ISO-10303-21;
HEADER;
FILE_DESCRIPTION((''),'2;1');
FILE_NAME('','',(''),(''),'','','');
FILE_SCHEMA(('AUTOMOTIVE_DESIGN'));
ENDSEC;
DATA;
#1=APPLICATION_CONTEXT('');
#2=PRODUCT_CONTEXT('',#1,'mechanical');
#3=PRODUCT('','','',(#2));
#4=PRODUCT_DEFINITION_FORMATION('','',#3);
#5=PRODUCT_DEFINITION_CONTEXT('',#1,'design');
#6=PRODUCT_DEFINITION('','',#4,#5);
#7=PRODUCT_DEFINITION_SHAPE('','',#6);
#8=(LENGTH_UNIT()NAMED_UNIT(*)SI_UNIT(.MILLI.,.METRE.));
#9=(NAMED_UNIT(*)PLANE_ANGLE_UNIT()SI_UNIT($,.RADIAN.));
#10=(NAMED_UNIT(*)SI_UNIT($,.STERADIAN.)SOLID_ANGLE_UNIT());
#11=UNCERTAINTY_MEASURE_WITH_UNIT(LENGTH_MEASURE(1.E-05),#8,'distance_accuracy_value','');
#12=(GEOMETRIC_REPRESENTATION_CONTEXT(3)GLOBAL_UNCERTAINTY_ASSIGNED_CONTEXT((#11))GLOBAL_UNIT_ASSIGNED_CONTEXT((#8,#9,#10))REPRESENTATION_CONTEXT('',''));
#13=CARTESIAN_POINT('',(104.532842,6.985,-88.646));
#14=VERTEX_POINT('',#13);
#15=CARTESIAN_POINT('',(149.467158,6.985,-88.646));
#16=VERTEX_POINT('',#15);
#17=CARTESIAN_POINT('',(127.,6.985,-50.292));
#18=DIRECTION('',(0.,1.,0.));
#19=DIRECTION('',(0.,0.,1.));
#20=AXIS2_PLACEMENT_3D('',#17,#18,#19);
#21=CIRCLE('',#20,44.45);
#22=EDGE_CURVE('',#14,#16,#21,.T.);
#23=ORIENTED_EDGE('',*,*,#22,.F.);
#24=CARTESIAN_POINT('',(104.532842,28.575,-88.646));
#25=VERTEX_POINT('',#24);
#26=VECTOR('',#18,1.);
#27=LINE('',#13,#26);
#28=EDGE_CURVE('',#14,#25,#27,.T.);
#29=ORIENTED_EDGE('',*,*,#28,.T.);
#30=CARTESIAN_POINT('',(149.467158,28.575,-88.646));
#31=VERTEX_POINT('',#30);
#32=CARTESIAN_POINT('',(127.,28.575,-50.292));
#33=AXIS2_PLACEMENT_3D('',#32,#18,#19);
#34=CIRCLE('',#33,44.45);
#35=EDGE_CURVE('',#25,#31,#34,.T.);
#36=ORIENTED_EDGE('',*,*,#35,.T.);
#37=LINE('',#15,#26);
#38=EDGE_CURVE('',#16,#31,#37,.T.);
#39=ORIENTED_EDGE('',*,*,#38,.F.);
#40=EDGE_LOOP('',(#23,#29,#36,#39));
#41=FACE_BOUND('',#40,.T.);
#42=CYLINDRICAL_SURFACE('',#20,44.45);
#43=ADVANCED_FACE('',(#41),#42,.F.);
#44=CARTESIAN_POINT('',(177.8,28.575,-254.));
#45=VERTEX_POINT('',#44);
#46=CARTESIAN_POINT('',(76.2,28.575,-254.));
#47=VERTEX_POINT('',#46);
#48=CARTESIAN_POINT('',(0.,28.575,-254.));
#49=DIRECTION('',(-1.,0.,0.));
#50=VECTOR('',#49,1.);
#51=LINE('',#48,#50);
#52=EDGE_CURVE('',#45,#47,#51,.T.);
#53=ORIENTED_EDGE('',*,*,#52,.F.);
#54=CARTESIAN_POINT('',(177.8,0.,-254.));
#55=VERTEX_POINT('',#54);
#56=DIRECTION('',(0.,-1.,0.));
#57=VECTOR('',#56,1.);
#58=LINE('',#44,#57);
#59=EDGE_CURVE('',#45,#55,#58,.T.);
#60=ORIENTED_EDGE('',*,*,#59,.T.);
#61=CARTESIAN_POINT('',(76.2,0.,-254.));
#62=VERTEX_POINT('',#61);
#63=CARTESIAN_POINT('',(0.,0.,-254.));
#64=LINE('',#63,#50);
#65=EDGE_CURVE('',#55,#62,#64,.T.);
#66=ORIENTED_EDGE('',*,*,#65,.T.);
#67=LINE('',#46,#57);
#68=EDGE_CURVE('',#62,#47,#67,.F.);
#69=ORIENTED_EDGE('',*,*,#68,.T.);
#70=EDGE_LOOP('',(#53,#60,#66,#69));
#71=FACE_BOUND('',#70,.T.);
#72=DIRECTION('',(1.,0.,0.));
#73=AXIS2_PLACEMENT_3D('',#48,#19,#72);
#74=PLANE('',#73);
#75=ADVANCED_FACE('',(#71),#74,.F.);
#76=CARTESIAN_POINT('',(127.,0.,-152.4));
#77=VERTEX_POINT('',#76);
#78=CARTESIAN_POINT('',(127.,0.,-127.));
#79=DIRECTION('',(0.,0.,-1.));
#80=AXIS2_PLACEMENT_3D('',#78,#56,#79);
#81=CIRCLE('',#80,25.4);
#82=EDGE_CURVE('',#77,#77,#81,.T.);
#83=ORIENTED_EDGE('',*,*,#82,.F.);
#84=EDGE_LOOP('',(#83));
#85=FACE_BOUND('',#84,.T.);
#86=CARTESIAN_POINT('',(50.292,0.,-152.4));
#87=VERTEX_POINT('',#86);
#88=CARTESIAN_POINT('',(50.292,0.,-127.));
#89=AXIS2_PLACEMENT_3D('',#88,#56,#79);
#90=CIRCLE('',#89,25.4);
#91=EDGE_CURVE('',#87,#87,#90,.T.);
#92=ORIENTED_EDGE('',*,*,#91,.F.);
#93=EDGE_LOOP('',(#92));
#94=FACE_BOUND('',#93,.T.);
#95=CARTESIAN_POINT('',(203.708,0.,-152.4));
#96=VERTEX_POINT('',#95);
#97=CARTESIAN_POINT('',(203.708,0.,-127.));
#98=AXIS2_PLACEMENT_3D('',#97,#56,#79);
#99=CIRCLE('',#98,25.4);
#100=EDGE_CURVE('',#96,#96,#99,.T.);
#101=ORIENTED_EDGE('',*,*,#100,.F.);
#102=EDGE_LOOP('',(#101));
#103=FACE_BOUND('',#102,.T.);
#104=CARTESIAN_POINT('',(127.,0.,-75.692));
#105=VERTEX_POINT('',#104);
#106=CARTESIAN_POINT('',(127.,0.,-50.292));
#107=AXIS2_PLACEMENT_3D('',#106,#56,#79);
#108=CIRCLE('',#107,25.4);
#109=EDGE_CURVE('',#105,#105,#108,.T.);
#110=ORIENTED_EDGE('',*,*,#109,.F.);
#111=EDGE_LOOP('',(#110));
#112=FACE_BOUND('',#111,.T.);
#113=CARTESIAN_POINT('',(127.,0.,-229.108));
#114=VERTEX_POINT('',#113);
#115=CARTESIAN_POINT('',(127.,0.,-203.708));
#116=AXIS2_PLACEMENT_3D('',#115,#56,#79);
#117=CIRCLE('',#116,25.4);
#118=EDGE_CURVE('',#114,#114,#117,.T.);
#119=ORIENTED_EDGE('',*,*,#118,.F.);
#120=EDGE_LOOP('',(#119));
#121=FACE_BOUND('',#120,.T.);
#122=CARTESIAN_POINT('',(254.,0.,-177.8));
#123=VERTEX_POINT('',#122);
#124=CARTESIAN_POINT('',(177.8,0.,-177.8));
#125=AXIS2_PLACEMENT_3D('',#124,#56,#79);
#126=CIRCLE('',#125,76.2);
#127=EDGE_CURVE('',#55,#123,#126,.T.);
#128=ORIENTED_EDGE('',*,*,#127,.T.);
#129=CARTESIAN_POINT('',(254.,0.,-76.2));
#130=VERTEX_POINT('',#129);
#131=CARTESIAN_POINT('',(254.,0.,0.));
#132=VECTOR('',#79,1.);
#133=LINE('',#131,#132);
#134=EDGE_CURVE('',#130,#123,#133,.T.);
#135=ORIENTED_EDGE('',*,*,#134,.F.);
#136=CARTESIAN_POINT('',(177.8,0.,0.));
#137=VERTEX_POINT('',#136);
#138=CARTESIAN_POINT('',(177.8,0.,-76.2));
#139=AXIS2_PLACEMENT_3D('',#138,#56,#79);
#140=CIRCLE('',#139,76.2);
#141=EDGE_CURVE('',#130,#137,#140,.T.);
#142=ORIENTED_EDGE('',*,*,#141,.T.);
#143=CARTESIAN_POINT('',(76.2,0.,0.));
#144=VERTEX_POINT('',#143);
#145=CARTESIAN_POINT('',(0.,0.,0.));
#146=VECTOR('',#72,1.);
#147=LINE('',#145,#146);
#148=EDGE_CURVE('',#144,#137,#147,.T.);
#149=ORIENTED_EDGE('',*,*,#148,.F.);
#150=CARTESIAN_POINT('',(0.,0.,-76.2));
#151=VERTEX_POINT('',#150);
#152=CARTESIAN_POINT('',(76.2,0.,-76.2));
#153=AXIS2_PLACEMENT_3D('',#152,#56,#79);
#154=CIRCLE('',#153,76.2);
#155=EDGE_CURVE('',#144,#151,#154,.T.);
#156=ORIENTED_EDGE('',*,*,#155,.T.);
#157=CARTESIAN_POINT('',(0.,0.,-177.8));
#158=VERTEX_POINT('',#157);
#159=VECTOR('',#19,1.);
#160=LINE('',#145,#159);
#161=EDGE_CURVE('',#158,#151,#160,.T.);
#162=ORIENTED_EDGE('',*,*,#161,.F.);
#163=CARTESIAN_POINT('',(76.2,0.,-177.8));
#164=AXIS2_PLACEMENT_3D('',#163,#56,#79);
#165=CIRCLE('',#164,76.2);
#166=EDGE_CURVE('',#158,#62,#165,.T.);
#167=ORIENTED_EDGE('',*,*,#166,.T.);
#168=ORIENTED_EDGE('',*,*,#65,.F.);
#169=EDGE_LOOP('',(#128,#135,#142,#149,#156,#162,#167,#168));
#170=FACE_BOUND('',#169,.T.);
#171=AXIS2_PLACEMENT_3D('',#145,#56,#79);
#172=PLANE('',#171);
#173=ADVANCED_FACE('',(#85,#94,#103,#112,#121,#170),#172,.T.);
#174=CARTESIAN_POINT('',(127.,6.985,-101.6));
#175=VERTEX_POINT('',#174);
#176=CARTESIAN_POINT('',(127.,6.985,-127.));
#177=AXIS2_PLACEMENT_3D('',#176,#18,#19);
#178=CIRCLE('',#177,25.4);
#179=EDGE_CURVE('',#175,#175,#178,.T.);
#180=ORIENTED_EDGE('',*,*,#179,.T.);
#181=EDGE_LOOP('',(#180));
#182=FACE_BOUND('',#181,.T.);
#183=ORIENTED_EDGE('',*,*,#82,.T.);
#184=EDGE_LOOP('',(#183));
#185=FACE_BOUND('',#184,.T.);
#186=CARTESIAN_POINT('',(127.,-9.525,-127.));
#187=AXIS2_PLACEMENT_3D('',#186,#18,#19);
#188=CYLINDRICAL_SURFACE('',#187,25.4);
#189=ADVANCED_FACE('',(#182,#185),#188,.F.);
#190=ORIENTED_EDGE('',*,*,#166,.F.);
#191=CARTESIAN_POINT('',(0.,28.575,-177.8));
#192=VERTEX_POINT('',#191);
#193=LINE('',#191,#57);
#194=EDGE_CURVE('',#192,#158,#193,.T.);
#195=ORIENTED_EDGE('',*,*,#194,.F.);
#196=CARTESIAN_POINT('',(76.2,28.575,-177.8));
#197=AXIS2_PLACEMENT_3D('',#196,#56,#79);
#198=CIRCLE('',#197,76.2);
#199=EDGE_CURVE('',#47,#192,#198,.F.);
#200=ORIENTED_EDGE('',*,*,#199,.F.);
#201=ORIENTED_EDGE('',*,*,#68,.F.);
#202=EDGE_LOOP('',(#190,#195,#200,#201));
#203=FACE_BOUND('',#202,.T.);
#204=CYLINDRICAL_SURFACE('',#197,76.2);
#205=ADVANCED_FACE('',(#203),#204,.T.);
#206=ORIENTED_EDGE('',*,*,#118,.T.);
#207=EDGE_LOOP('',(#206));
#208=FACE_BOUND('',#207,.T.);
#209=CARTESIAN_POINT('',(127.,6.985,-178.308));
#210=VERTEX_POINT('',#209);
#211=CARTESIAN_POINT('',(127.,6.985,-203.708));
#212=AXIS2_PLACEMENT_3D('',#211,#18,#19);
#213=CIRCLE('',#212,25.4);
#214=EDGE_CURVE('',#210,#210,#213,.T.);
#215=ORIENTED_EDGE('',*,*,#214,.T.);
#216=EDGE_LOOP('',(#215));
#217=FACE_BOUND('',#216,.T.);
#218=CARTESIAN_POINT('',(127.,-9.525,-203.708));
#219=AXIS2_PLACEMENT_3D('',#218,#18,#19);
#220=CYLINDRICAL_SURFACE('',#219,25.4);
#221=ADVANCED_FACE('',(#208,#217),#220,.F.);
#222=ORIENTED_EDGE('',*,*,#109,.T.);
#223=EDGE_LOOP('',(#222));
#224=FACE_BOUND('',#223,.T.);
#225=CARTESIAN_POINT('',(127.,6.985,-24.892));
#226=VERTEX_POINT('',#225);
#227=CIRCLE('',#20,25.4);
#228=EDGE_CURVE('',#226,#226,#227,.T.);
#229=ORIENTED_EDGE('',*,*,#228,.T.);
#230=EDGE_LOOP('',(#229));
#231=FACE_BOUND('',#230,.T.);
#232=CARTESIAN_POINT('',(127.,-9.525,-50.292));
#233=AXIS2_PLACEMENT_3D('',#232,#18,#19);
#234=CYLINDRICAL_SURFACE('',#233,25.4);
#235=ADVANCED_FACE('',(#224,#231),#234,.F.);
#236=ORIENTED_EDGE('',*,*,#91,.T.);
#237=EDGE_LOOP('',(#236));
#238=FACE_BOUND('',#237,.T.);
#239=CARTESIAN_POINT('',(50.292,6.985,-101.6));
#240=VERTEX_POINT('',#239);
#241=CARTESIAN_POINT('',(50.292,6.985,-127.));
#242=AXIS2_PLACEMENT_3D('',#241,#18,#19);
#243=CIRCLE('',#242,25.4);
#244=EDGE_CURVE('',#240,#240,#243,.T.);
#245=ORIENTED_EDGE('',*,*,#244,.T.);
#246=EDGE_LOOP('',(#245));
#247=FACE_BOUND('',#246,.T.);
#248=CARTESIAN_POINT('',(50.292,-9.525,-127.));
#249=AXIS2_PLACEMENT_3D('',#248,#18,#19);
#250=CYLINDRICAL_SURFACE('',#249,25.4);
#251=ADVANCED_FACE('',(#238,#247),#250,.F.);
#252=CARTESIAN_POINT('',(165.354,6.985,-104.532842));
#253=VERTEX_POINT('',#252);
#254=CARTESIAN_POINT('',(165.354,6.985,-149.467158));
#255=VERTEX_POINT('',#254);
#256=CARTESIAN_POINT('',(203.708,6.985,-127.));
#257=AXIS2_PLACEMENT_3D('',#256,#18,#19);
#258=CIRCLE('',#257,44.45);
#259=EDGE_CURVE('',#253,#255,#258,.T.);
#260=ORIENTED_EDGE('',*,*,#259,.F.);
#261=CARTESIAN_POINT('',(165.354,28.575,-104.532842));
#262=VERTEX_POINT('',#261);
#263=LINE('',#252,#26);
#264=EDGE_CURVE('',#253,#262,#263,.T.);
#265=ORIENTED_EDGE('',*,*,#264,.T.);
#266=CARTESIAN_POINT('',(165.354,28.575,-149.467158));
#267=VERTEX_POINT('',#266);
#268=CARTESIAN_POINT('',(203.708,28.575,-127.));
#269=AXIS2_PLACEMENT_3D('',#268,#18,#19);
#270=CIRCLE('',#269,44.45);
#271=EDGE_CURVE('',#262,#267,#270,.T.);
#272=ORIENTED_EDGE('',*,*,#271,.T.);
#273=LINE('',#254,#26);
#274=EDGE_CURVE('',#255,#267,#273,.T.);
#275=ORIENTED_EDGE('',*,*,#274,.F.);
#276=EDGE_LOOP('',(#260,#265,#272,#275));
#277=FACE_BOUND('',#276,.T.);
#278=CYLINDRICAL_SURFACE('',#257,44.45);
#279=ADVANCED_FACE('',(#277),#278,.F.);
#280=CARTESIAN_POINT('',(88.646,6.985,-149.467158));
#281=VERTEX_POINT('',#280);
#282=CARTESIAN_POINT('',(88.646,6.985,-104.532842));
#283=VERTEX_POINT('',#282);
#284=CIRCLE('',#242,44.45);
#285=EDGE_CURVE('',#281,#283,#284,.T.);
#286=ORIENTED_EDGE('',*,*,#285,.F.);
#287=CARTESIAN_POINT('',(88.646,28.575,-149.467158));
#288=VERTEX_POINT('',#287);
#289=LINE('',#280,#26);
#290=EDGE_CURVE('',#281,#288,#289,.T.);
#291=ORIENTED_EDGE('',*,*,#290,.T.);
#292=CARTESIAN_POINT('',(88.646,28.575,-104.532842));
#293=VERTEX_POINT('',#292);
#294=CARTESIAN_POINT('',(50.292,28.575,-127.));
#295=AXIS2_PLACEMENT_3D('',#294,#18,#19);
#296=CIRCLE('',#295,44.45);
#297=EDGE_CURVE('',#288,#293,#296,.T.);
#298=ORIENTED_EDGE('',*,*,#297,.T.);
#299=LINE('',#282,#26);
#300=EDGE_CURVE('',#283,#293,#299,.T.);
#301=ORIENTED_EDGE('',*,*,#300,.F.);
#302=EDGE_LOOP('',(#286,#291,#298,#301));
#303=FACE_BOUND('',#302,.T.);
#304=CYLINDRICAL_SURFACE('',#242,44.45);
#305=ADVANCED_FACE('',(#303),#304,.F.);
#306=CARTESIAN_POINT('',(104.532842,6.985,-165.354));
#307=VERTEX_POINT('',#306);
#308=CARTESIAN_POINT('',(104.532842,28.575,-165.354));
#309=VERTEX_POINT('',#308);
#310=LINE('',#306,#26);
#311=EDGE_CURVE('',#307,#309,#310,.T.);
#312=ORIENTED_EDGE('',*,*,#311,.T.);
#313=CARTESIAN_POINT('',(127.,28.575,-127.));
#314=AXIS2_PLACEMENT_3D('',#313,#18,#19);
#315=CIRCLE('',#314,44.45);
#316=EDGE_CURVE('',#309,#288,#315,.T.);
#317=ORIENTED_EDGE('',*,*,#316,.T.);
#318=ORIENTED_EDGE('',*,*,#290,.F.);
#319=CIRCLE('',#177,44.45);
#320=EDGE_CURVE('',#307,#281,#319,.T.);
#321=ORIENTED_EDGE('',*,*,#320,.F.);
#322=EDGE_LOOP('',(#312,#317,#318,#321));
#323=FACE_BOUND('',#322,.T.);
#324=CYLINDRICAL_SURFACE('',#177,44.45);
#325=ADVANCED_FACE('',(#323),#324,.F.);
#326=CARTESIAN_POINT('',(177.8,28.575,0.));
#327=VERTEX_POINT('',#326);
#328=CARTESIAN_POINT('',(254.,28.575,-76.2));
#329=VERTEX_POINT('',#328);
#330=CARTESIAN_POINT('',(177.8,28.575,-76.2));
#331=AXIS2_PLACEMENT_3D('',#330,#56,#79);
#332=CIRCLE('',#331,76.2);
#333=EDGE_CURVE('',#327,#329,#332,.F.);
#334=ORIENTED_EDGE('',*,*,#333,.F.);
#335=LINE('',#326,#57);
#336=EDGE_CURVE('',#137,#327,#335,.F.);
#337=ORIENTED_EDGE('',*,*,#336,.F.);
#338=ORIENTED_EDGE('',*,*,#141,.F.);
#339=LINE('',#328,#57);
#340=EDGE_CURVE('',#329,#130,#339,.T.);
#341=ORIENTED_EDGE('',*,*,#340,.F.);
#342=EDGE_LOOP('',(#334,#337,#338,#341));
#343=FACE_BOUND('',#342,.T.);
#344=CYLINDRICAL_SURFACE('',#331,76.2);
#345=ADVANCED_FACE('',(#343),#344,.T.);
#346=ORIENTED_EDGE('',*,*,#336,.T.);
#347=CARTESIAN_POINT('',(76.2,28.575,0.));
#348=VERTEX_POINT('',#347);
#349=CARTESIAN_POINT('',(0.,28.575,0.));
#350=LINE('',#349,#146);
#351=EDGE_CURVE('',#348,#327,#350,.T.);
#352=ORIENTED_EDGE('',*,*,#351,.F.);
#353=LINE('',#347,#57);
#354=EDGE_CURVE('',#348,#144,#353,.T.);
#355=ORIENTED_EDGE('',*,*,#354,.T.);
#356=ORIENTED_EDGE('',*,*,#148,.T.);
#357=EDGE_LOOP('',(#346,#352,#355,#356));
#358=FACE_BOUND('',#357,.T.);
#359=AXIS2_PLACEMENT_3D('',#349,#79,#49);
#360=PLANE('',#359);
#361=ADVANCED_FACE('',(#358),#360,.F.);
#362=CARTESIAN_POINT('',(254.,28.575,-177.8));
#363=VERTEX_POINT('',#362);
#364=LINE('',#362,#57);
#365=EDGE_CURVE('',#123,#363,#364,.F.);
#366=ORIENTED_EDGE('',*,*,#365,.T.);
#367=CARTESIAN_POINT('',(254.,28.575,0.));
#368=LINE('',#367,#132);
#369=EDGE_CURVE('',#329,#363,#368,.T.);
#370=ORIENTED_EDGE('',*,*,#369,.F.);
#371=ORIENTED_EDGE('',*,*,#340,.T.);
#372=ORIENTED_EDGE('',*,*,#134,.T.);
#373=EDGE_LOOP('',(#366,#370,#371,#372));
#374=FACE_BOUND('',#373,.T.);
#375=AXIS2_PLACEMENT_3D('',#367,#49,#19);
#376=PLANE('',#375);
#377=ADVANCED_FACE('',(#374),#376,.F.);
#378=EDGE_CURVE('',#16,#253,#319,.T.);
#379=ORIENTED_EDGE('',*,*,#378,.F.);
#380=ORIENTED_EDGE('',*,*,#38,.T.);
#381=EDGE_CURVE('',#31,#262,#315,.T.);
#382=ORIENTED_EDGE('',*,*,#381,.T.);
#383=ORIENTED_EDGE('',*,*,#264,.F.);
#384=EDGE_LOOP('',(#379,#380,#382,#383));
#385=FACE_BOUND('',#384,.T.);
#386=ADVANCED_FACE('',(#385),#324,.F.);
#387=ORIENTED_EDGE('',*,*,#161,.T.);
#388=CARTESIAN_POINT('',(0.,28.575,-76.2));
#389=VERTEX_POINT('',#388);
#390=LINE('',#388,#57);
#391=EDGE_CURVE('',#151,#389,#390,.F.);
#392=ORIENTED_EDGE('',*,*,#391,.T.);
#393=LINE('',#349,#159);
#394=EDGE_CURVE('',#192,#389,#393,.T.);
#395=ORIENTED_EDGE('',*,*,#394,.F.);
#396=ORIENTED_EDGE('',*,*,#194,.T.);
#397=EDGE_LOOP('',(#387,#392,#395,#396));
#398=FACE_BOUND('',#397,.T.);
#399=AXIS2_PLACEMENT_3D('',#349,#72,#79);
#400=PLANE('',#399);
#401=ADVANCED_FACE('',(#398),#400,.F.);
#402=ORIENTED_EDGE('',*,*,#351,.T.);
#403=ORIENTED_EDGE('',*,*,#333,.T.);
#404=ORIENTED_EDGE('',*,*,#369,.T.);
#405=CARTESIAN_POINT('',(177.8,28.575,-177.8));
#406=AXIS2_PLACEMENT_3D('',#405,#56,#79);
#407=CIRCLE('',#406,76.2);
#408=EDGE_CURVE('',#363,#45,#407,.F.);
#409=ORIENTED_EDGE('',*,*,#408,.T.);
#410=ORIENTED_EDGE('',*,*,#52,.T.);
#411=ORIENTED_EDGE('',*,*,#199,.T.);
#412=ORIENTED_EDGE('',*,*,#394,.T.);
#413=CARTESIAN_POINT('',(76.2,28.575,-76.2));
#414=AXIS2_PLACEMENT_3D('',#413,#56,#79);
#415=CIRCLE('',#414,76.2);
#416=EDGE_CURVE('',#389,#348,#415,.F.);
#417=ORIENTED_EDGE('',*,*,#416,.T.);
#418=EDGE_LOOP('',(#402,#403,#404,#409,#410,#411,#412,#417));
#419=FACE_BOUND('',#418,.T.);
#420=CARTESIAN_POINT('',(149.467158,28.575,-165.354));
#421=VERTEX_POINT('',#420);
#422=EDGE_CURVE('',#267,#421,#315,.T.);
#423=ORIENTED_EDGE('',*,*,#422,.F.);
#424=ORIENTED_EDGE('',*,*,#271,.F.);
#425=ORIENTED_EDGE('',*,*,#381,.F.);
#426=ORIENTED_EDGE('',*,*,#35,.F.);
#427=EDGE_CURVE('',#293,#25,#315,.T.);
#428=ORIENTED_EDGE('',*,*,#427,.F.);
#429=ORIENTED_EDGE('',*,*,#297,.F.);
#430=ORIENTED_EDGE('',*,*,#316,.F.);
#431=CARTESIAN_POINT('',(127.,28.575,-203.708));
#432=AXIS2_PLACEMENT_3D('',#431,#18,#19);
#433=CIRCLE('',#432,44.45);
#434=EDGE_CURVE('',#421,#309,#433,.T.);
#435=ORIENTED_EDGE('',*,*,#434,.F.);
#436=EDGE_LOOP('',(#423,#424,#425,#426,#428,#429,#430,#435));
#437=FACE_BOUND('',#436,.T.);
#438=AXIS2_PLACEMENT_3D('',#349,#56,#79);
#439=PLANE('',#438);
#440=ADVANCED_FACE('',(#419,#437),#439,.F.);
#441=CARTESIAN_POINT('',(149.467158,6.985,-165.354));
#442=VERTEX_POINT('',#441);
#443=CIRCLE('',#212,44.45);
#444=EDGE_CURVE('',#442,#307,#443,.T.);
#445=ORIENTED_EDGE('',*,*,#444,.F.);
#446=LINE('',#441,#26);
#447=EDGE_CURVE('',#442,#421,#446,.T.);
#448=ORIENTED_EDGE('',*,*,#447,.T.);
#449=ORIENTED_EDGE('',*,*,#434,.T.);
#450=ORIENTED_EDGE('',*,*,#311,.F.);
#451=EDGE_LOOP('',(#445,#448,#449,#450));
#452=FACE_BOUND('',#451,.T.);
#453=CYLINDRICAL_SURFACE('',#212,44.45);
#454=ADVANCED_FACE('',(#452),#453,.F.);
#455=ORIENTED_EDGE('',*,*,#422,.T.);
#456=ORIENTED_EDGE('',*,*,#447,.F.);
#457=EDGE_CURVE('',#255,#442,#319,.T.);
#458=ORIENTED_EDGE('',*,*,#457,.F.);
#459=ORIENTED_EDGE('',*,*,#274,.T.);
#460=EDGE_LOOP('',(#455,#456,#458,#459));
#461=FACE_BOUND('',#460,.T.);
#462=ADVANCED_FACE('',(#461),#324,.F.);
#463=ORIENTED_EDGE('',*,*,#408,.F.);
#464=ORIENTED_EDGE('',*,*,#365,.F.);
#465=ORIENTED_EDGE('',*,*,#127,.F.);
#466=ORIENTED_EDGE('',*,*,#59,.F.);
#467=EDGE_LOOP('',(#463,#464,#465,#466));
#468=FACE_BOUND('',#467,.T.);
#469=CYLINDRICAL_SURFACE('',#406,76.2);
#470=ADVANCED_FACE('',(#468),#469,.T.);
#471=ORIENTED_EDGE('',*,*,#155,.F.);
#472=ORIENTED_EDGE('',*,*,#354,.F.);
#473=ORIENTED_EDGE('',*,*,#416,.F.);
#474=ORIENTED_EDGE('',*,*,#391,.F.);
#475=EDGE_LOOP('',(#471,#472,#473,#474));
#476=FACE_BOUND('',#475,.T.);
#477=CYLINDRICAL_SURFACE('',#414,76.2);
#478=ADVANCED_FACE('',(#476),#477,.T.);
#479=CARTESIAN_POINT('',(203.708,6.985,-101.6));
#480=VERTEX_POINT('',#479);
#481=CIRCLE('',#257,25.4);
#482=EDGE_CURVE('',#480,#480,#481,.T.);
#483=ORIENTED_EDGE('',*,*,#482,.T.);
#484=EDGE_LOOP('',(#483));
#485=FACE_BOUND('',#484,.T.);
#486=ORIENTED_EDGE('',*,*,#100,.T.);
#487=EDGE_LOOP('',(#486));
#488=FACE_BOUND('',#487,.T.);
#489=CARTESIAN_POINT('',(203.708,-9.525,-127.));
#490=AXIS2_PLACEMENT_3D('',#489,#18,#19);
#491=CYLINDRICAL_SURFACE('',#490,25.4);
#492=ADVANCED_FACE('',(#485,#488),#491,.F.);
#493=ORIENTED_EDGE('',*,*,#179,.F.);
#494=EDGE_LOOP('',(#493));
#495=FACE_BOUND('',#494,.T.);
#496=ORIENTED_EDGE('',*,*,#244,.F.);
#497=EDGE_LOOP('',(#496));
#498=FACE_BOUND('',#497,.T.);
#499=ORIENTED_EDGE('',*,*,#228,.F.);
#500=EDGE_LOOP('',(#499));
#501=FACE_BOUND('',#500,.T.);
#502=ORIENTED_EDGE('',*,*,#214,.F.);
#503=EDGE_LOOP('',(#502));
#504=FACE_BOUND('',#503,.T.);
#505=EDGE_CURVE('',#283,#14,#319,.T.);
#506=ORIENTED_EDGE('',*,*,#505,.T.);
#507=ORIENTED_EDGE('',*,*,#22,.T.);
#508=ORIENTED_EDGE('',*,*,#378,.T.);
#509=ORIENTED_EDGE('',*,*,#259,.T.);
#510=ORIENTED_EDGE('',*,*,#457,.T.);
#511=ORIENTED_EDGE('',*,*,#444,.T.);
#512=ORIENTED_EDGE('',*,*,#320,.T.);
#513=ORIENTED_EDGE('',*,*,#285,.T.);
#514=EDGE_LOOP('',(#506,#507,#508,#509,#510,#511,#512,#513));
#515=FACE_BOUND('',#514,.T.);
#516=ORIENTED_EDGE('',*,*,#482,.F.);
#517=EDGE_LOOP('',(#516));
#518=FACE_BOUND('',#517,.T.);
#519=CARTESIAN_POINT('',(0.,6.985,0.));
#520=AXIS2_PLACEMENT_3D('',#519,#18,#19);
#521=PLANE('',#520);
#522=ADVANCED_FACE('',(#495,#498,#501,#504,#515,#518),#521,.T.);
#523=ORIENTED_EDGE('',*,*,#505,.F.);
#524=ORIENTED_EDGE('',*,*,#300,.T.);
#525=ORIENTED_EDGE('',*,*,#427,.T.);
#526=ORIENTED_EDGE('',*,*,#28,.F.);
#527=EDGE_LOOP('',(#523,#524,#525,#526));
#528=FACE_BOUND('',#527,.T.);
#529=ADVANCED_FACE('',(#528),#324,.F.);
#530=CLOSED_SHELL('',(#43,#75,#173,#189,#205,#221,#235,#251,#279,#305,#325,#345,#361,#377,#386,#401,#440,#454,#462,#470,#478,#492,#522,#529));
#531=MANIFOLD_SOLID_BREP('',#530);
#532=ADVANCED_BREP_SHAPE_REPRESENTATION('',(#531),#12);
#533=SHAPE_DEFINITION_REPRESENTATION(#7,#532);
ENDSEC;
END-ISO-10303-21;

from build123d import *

# Parameters (mm, degrees)
SKETCH1_W           = 254
SKETCH1_H           = 254
BOSS_EXTRUDE1_DEPTH = 28.575
CUT_EXTRUDE1_DEPTH  = 21.59
SKETCH3_R           = 25.4
CUT_EXTRUDE2_DEPTH  = 16.51
FILLET1_R           = 76.2


with BuildPart() as part:
    # Sketch1 → Boss-Extrude1 (new body)
    with BuildSketch(Plane(origin=(0, 0, 0), x_dir=(1, 0, 0), z_dir=(0, 1, 0))):
        with Locations((127, 127)):
            Rectangle(SKETCH1_W, SKETCH1_H)
    extrude(amount=BOSS_EXTRUDE1_DEPTH)

    # Sketch2 → Cut-Extrude1 (cut)
    with BuildSketch(Plane(origin=(0, 28.575, 0), x_dir=(1, 0, 0), z_dir=(0, 1, 0))):
        with BuildLine():
            ThreePointArc((165.354, 104.532842102), (248.158, 127), (165.354, 149.467157898))
            ThreePointArc((165.354, 149.467157898), (158.430896424, 158.430896424), (149.467157898, 165.354))
            ThreePointArc((149.467157898, 165.354), (127, 248.158), (104.532842102, 165.354))
            ThreePointArc((104.532842102, 165.354), (95.569103576, 158.430896424), (88.646, 149.467157898))
            ThreePointArc((88.646, 149.467157898), (5.842, 127), (88.646, 104.532842102))
            ThreePointArc((88.646, 104.532842102), (95.569103576, 95.569103576), (104.532842102, 88.646))
            ThreePointArc((104.532842102, 88.646), (127, 5.842), (149.467157898, 88.646))
            ThreePointArc((149.467157898, 88.646), (158.430896424, 95.569103576), (165.354, 104.532842102))
        make_face()
    extrude(amount=-CUT_EXTRUDE1_DEPTH, mode=Mode.SUBTRACT)

    # Sketch3 → Cut-Extrude2 (cut)
    with BuildSketch(Plane(origin=(0, 6.985, 0), x_dir=(1, 0, 0), z_dir=(0, 1, 0))):
        with Locations(Location((127, 127, 0), (0, 0, 270))):
            Circle(SKETCH3_R)
        with Locations(Location((127, 50.292, 0), (0, 0, 270))):
            Circle(SKETCH3_R)
        with Locations(Location((50.292, 127, 0), (0, 0, 270))):
            Circle(SKETCH3_R)
        with Locations(Location((127, 203.708, 0), (0, 0, 270))):
            Circle(SKETCH3_R)
        with Locations(Location((203.708, 127, 0), (0, 0, 270))):
            Circle(SKETCH3_R)
    extrude(amount=-CUT_EXTRUDE2_DEPTH, mode=Mode.SUBTRACT)

    # Fillet1
    fillet1_edges = [part.edges().sort_by_distance(p)[0] for p in [
        (0, 14.2875, -254),
        (254, 14.2875, -254),
        (254, 14.2875, 0),
        (0, 14.2875, 0),
    ]]
    fillet(fillet1_edges, radius=FILLET1_R)


solid = part.part
